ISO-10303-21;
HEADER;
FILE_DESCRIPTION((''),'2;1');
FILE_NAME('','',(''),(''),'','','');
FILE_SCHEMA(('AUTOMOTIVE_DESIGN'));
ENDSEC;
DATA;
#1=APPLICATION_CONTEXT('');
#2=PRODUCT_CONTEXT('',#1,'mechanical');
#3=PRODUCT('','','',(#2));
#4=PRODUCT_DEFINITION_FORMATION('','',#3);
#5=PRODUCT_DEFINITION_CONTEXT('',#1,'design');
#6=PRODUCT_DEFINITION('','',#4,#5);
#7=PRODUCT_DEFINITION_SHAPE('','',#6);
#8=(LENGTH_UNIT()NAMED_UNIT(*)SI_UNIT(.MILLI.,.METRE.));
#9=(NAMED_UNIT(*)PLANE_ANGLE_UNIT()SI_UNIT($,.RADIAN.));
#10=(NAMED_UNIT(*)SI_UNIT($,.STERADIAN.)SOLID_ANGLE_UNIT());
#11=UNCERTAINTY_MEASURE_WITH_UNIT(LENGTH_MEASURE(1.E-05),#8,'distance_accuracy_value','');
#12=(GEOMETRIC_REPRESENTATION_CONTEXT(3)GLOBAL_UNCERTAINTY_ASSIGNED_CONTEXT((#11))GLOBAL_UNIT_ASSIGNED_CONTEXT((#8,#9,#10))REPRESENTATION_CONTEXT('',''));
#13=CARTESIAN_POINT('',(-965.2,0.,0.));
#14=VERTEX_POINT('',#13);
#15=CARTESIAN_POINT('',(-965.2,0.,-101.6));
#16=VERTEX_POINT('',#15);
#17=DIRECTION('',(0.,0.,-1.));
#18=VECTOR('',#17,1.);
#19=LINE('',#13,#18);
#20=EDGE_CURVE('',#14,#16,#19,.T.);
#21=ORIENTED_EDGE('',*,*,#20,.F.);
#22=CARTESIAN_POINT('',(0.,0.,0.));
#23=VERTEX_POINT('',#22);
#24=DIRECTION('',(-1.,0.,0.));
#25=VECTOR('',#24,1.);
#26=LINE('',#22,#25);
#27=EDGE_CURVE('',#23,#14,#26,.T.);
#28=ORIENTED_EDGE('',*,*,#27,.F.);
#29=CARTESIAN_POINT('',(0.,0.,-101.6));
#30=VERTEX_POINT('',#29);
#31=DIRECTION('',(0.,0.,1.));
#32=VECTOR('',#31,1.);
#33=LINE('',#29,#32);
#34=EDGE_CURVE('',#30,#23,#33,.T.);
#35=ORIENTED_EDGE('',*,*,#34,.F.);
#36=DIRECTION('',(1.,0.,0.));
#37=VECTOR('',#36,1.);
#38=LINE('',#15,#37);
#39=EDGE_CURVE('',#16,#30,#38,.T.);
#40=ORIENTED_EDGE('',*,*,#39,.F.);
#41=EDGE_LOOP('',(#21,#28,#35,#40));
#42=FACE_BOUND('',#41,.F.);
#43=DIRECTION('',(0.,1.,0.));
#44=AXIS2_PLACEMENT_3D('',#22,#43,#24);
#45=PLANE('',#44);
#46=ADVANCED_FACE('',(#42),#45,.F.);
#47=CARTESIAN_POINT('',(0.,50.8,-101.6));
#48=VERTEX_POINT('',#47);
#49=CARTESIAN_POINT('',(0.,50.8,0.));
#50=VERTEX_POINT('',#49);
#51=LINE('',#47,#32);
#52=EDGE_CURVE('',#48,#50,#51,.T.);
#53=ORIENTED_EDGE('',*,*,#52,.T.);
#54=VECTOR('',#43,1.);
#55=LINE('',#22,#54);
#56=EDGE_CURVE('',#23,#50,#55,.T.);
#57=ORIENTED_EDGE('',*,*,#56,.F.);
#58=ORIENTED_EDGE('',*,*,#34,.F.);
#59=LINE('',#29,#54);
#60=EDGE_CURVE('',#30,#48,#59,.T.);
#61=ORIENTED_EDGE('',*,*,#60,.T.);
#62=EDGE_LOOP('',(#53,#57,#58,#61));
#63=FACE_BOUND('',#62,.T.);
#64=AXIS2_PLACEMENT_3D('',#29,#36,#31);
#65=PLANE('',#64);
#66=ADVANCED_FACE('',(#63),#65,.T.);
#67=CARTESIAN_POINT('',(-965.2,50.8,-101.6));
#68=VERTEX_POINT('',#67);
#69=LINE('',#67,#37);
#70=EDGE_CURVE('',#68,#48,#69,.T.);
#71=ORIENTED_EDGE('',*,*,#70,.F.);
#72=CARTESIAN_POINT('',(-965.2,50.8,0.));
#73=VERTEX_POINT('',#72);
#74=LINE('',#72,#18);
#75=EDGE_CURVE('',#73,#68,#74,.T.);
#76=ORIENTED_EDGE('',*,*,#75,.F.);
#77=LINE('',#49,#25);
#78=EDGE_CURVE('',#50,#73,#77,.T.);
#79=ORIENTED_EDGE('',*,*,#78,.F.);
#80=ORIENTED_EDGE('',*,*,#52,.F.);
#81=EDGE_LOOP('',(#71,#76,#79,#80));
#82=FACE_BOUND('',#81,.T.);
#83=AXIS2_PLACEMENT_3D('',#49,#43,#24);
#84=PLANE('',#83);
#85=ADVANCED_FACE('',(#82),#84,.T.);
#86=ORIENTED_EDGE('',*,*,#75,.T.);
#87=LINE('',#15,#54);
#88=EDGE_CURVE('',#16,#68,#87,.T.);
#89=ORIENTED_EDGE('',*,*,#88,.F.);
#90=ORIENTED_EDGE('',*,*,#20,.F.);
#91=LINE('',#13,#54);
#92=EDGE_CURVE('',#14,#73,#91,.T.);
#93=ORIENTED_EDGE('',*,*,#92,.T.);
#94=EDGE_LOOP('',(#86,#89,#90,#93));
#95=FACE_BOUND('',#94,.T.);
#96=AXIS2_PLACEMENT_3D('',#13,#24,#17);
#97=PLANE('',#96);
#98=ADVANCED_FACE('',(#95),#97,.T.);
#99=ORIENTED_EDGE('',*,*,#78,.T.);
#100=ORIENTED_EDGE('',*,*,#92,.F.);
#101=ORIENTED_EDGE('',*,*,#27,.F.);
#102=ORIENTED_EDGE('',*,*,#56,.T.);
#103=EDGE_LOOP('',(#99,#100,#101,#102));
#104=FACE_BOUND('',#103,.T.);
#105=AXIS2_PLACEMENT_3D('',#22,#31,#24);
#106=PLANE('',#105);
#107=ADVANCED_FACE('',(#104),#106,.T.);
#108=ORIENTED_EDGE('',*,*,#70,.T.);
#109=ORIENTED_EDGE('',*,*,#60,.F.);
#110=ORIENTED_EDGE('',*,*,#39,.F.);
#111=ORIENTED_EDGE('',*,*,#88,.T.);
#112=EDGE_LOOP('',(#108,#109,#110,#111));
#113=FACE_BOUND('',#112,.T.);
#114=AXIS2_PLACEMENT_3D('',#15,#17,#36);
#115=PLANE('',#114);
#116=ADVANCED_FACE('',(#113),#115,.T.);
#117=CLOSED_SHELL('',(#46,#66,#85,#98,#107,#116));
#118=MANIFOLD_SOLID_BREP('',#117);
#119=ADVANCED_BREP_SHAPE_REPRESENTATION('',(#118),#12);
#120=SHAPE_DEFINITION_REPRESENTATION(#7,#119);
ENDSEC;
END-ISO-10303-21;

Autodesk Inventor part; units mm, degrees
ref_plane "YZ Plane" through (0, 0, 0) normal (1, 0, 0) x (0, 1, 0)
ref_plane "XZ Plane" through (0, 0, 0) normal (0, 1, 0) x (-1, 0, 0)
ref_plane "XY Plane" through (0, 0, 0) normal (0, 0, 1) x (1, 0, 0)
sketch "Sketch1" plane through (0, 0, 0) normal (0, 1, 0) x (-1, 0, 0)
  line L0 (0, 0) -> (965.2, 0)
  line L1 (965.2, 0) -> (965.2, -101.6)
  line L2 (965.2, -101.6) -> (0, -101.6)
  line L3 (0, -101.6) -> (0, 0)
  dimension "d0" = 965.2
  dimension "d1" = 101.6
extrude "Extrusion1" add sketch "Sketch1" along normal blind 50.8
properties part number "2x4x38"
